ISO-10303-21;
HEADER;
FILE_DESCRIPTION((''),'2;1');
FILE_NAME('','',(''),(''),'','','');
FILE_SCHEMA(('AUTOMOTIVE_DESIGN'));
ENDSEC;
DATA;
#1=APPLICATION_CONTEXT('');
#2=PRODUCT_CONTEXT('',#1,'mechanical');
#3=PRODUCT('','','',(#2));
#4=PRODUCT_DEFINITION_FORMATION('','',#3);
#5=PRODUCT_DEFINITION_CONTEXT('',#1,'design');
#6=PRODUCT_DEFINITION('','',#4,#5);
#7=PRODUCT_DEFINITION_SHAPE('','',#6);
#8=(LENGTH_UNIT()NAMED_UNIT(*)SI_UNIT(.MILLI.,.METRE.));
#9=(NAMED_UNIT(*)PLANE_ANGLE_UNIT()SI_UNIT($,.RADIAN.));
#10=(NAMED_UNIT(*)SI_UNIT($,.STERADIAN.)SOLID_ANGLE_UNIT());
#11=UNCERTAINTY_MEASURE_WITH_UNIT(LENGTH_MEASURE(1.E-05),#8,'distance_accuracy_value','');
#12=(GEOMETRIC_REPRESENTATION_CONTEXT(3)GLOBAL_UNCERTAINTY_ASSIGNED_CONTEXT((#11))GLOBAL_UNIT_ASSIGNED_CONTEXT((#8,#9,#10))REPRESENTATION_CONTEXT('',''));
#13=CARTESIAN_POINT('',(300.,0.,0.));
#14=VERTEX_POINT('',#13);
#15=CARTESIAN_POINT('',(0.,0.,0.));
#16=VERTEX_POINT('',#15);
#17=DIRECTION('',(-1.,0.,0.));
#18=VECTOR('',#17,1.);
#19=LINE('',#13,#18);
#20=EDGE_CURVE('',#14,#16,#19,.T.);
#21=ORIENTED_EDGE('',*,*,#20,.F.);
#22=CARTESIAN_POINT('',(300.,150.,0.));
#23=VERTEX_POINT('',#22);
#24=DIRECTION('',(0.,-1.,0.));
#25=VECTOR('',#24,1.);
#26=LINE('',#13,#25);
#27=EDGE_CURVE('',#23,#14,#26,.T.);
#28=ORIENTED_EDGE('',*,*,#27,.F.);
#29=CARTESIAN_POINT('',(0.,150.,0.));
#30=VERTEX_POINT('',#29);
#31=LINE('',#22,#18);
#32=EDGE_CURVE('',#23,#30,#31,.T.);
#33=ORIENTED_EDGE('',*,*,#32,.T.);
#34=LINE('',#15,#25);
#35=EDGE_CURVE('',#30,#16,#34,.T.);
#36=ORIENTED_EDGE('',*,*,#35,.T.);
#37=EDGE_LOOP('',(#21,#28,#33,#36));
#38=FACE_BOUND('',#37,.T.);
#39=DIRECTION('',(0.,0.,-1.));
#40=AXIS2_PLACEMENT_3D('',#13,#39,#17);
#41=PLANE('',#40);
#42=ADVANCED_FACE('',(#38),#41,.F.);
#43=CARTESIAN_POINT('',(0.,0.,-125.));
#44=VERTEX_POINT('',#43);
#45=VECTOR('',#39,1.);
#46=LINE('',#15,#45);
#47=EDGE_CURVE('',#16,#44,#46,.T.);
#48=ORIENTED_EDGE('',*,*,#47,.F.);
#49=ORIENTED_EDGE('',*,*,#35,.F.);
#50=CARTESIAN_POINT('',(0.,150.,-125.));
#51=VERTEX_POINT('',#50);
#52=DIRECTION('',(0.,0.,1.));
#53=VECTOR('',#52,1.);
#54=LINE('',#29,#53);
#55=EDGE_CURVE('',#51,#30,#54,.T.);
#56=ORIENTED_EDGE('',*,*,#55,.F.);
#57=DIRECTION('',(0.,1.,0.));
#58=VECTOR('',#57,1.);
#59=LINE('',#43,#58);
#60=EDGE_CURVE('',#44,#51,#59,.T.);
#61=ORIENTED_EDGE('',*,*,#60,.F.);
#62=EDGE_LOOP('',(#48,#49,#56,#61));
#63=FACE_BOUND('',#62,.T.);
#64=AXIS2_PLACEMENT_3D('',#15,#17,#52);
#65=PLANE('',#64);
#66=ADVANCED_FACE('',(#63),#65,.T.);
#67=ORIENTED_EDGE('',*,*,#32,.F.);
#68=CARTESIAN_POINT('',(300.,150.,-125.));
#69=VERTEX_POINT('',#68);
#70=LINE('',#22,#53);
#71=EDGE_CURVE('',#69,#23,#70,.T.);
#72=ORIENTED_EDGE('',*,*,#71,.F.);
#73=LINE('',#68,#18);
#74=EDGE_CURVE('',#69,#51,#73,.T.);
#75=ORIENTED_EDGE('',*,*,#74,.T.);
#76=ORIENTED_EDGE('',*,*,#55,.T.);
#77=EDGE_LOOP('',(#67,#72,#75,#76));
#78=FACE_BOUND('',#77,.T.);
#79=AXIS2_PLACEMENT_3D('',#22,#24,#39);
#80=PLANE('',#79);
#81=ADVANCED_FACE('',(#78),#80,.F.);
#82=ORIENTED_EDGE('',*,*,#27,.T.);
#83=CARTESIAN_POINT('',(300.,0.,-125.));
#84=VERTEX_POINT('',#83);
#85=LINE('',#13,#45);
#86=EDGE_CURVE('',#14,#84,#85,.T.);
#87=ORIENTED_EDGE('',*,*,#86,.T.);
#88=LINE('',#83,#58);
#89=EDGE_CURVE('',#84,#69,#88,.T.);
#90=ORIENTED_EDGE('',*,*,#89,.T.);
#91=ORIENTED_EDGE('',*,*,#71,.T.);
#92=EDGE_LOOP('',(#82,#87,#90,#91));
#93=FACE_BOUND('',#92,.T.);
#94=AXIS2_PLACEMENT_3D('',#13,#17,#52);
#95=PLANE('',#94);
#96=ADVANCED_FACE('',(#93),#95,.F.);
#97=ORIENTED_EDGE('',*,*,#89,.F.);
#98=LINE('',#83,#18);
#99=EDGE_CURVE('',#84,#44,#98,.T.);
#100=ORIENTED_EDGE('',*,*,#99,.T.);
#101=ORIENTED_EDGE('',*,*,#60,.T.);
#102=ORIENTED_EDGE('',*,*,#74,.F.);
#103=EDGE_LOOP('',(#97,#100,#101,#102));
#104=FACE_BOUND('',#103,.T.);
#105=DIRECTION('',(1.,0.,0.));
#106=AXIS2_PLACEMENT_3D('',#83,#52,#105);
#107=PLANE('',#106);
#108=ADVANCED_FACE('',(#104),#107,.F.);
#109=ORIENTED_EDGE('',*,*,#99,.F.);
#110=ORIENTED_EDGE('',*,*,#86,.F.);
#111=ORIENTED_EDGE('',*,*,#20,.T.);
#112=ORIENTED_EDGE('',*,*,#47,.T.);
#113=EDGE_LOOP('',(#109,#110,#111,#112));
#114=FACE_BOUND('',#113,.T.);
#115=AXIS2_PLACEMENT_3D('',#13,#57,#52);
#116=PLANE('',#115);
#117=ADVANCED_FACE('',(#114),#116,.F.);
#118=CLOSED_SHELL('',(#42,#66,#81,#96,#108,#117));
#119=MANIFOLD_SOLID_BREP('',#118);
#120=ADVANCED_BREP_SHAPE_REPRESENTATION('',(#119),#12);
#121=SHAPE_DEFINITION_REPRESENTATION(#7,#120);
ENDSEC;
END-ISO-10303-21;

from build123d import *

# Parameters (mm, degrees)
SKETCH1_W           = 125
SKETCH1_H           = 150
BOSS_EXTRUDE1_DEPTH = 300


with BuildPart() as part:
    # Sketch1 → Boss-Extrude1 (new body)
    with BuildSketch(Plane(origin=(0, 0, 0), x_dir=(0, 0, -1), z_dir=(1, 0, 0))):
        with Locations((62.5, 75)):
            Rectangle(SKETCH1_W, SKETCH1_H)
    extrude(amount=BOSS_EXTRUDE1_DEPTH)


solid = part.part
